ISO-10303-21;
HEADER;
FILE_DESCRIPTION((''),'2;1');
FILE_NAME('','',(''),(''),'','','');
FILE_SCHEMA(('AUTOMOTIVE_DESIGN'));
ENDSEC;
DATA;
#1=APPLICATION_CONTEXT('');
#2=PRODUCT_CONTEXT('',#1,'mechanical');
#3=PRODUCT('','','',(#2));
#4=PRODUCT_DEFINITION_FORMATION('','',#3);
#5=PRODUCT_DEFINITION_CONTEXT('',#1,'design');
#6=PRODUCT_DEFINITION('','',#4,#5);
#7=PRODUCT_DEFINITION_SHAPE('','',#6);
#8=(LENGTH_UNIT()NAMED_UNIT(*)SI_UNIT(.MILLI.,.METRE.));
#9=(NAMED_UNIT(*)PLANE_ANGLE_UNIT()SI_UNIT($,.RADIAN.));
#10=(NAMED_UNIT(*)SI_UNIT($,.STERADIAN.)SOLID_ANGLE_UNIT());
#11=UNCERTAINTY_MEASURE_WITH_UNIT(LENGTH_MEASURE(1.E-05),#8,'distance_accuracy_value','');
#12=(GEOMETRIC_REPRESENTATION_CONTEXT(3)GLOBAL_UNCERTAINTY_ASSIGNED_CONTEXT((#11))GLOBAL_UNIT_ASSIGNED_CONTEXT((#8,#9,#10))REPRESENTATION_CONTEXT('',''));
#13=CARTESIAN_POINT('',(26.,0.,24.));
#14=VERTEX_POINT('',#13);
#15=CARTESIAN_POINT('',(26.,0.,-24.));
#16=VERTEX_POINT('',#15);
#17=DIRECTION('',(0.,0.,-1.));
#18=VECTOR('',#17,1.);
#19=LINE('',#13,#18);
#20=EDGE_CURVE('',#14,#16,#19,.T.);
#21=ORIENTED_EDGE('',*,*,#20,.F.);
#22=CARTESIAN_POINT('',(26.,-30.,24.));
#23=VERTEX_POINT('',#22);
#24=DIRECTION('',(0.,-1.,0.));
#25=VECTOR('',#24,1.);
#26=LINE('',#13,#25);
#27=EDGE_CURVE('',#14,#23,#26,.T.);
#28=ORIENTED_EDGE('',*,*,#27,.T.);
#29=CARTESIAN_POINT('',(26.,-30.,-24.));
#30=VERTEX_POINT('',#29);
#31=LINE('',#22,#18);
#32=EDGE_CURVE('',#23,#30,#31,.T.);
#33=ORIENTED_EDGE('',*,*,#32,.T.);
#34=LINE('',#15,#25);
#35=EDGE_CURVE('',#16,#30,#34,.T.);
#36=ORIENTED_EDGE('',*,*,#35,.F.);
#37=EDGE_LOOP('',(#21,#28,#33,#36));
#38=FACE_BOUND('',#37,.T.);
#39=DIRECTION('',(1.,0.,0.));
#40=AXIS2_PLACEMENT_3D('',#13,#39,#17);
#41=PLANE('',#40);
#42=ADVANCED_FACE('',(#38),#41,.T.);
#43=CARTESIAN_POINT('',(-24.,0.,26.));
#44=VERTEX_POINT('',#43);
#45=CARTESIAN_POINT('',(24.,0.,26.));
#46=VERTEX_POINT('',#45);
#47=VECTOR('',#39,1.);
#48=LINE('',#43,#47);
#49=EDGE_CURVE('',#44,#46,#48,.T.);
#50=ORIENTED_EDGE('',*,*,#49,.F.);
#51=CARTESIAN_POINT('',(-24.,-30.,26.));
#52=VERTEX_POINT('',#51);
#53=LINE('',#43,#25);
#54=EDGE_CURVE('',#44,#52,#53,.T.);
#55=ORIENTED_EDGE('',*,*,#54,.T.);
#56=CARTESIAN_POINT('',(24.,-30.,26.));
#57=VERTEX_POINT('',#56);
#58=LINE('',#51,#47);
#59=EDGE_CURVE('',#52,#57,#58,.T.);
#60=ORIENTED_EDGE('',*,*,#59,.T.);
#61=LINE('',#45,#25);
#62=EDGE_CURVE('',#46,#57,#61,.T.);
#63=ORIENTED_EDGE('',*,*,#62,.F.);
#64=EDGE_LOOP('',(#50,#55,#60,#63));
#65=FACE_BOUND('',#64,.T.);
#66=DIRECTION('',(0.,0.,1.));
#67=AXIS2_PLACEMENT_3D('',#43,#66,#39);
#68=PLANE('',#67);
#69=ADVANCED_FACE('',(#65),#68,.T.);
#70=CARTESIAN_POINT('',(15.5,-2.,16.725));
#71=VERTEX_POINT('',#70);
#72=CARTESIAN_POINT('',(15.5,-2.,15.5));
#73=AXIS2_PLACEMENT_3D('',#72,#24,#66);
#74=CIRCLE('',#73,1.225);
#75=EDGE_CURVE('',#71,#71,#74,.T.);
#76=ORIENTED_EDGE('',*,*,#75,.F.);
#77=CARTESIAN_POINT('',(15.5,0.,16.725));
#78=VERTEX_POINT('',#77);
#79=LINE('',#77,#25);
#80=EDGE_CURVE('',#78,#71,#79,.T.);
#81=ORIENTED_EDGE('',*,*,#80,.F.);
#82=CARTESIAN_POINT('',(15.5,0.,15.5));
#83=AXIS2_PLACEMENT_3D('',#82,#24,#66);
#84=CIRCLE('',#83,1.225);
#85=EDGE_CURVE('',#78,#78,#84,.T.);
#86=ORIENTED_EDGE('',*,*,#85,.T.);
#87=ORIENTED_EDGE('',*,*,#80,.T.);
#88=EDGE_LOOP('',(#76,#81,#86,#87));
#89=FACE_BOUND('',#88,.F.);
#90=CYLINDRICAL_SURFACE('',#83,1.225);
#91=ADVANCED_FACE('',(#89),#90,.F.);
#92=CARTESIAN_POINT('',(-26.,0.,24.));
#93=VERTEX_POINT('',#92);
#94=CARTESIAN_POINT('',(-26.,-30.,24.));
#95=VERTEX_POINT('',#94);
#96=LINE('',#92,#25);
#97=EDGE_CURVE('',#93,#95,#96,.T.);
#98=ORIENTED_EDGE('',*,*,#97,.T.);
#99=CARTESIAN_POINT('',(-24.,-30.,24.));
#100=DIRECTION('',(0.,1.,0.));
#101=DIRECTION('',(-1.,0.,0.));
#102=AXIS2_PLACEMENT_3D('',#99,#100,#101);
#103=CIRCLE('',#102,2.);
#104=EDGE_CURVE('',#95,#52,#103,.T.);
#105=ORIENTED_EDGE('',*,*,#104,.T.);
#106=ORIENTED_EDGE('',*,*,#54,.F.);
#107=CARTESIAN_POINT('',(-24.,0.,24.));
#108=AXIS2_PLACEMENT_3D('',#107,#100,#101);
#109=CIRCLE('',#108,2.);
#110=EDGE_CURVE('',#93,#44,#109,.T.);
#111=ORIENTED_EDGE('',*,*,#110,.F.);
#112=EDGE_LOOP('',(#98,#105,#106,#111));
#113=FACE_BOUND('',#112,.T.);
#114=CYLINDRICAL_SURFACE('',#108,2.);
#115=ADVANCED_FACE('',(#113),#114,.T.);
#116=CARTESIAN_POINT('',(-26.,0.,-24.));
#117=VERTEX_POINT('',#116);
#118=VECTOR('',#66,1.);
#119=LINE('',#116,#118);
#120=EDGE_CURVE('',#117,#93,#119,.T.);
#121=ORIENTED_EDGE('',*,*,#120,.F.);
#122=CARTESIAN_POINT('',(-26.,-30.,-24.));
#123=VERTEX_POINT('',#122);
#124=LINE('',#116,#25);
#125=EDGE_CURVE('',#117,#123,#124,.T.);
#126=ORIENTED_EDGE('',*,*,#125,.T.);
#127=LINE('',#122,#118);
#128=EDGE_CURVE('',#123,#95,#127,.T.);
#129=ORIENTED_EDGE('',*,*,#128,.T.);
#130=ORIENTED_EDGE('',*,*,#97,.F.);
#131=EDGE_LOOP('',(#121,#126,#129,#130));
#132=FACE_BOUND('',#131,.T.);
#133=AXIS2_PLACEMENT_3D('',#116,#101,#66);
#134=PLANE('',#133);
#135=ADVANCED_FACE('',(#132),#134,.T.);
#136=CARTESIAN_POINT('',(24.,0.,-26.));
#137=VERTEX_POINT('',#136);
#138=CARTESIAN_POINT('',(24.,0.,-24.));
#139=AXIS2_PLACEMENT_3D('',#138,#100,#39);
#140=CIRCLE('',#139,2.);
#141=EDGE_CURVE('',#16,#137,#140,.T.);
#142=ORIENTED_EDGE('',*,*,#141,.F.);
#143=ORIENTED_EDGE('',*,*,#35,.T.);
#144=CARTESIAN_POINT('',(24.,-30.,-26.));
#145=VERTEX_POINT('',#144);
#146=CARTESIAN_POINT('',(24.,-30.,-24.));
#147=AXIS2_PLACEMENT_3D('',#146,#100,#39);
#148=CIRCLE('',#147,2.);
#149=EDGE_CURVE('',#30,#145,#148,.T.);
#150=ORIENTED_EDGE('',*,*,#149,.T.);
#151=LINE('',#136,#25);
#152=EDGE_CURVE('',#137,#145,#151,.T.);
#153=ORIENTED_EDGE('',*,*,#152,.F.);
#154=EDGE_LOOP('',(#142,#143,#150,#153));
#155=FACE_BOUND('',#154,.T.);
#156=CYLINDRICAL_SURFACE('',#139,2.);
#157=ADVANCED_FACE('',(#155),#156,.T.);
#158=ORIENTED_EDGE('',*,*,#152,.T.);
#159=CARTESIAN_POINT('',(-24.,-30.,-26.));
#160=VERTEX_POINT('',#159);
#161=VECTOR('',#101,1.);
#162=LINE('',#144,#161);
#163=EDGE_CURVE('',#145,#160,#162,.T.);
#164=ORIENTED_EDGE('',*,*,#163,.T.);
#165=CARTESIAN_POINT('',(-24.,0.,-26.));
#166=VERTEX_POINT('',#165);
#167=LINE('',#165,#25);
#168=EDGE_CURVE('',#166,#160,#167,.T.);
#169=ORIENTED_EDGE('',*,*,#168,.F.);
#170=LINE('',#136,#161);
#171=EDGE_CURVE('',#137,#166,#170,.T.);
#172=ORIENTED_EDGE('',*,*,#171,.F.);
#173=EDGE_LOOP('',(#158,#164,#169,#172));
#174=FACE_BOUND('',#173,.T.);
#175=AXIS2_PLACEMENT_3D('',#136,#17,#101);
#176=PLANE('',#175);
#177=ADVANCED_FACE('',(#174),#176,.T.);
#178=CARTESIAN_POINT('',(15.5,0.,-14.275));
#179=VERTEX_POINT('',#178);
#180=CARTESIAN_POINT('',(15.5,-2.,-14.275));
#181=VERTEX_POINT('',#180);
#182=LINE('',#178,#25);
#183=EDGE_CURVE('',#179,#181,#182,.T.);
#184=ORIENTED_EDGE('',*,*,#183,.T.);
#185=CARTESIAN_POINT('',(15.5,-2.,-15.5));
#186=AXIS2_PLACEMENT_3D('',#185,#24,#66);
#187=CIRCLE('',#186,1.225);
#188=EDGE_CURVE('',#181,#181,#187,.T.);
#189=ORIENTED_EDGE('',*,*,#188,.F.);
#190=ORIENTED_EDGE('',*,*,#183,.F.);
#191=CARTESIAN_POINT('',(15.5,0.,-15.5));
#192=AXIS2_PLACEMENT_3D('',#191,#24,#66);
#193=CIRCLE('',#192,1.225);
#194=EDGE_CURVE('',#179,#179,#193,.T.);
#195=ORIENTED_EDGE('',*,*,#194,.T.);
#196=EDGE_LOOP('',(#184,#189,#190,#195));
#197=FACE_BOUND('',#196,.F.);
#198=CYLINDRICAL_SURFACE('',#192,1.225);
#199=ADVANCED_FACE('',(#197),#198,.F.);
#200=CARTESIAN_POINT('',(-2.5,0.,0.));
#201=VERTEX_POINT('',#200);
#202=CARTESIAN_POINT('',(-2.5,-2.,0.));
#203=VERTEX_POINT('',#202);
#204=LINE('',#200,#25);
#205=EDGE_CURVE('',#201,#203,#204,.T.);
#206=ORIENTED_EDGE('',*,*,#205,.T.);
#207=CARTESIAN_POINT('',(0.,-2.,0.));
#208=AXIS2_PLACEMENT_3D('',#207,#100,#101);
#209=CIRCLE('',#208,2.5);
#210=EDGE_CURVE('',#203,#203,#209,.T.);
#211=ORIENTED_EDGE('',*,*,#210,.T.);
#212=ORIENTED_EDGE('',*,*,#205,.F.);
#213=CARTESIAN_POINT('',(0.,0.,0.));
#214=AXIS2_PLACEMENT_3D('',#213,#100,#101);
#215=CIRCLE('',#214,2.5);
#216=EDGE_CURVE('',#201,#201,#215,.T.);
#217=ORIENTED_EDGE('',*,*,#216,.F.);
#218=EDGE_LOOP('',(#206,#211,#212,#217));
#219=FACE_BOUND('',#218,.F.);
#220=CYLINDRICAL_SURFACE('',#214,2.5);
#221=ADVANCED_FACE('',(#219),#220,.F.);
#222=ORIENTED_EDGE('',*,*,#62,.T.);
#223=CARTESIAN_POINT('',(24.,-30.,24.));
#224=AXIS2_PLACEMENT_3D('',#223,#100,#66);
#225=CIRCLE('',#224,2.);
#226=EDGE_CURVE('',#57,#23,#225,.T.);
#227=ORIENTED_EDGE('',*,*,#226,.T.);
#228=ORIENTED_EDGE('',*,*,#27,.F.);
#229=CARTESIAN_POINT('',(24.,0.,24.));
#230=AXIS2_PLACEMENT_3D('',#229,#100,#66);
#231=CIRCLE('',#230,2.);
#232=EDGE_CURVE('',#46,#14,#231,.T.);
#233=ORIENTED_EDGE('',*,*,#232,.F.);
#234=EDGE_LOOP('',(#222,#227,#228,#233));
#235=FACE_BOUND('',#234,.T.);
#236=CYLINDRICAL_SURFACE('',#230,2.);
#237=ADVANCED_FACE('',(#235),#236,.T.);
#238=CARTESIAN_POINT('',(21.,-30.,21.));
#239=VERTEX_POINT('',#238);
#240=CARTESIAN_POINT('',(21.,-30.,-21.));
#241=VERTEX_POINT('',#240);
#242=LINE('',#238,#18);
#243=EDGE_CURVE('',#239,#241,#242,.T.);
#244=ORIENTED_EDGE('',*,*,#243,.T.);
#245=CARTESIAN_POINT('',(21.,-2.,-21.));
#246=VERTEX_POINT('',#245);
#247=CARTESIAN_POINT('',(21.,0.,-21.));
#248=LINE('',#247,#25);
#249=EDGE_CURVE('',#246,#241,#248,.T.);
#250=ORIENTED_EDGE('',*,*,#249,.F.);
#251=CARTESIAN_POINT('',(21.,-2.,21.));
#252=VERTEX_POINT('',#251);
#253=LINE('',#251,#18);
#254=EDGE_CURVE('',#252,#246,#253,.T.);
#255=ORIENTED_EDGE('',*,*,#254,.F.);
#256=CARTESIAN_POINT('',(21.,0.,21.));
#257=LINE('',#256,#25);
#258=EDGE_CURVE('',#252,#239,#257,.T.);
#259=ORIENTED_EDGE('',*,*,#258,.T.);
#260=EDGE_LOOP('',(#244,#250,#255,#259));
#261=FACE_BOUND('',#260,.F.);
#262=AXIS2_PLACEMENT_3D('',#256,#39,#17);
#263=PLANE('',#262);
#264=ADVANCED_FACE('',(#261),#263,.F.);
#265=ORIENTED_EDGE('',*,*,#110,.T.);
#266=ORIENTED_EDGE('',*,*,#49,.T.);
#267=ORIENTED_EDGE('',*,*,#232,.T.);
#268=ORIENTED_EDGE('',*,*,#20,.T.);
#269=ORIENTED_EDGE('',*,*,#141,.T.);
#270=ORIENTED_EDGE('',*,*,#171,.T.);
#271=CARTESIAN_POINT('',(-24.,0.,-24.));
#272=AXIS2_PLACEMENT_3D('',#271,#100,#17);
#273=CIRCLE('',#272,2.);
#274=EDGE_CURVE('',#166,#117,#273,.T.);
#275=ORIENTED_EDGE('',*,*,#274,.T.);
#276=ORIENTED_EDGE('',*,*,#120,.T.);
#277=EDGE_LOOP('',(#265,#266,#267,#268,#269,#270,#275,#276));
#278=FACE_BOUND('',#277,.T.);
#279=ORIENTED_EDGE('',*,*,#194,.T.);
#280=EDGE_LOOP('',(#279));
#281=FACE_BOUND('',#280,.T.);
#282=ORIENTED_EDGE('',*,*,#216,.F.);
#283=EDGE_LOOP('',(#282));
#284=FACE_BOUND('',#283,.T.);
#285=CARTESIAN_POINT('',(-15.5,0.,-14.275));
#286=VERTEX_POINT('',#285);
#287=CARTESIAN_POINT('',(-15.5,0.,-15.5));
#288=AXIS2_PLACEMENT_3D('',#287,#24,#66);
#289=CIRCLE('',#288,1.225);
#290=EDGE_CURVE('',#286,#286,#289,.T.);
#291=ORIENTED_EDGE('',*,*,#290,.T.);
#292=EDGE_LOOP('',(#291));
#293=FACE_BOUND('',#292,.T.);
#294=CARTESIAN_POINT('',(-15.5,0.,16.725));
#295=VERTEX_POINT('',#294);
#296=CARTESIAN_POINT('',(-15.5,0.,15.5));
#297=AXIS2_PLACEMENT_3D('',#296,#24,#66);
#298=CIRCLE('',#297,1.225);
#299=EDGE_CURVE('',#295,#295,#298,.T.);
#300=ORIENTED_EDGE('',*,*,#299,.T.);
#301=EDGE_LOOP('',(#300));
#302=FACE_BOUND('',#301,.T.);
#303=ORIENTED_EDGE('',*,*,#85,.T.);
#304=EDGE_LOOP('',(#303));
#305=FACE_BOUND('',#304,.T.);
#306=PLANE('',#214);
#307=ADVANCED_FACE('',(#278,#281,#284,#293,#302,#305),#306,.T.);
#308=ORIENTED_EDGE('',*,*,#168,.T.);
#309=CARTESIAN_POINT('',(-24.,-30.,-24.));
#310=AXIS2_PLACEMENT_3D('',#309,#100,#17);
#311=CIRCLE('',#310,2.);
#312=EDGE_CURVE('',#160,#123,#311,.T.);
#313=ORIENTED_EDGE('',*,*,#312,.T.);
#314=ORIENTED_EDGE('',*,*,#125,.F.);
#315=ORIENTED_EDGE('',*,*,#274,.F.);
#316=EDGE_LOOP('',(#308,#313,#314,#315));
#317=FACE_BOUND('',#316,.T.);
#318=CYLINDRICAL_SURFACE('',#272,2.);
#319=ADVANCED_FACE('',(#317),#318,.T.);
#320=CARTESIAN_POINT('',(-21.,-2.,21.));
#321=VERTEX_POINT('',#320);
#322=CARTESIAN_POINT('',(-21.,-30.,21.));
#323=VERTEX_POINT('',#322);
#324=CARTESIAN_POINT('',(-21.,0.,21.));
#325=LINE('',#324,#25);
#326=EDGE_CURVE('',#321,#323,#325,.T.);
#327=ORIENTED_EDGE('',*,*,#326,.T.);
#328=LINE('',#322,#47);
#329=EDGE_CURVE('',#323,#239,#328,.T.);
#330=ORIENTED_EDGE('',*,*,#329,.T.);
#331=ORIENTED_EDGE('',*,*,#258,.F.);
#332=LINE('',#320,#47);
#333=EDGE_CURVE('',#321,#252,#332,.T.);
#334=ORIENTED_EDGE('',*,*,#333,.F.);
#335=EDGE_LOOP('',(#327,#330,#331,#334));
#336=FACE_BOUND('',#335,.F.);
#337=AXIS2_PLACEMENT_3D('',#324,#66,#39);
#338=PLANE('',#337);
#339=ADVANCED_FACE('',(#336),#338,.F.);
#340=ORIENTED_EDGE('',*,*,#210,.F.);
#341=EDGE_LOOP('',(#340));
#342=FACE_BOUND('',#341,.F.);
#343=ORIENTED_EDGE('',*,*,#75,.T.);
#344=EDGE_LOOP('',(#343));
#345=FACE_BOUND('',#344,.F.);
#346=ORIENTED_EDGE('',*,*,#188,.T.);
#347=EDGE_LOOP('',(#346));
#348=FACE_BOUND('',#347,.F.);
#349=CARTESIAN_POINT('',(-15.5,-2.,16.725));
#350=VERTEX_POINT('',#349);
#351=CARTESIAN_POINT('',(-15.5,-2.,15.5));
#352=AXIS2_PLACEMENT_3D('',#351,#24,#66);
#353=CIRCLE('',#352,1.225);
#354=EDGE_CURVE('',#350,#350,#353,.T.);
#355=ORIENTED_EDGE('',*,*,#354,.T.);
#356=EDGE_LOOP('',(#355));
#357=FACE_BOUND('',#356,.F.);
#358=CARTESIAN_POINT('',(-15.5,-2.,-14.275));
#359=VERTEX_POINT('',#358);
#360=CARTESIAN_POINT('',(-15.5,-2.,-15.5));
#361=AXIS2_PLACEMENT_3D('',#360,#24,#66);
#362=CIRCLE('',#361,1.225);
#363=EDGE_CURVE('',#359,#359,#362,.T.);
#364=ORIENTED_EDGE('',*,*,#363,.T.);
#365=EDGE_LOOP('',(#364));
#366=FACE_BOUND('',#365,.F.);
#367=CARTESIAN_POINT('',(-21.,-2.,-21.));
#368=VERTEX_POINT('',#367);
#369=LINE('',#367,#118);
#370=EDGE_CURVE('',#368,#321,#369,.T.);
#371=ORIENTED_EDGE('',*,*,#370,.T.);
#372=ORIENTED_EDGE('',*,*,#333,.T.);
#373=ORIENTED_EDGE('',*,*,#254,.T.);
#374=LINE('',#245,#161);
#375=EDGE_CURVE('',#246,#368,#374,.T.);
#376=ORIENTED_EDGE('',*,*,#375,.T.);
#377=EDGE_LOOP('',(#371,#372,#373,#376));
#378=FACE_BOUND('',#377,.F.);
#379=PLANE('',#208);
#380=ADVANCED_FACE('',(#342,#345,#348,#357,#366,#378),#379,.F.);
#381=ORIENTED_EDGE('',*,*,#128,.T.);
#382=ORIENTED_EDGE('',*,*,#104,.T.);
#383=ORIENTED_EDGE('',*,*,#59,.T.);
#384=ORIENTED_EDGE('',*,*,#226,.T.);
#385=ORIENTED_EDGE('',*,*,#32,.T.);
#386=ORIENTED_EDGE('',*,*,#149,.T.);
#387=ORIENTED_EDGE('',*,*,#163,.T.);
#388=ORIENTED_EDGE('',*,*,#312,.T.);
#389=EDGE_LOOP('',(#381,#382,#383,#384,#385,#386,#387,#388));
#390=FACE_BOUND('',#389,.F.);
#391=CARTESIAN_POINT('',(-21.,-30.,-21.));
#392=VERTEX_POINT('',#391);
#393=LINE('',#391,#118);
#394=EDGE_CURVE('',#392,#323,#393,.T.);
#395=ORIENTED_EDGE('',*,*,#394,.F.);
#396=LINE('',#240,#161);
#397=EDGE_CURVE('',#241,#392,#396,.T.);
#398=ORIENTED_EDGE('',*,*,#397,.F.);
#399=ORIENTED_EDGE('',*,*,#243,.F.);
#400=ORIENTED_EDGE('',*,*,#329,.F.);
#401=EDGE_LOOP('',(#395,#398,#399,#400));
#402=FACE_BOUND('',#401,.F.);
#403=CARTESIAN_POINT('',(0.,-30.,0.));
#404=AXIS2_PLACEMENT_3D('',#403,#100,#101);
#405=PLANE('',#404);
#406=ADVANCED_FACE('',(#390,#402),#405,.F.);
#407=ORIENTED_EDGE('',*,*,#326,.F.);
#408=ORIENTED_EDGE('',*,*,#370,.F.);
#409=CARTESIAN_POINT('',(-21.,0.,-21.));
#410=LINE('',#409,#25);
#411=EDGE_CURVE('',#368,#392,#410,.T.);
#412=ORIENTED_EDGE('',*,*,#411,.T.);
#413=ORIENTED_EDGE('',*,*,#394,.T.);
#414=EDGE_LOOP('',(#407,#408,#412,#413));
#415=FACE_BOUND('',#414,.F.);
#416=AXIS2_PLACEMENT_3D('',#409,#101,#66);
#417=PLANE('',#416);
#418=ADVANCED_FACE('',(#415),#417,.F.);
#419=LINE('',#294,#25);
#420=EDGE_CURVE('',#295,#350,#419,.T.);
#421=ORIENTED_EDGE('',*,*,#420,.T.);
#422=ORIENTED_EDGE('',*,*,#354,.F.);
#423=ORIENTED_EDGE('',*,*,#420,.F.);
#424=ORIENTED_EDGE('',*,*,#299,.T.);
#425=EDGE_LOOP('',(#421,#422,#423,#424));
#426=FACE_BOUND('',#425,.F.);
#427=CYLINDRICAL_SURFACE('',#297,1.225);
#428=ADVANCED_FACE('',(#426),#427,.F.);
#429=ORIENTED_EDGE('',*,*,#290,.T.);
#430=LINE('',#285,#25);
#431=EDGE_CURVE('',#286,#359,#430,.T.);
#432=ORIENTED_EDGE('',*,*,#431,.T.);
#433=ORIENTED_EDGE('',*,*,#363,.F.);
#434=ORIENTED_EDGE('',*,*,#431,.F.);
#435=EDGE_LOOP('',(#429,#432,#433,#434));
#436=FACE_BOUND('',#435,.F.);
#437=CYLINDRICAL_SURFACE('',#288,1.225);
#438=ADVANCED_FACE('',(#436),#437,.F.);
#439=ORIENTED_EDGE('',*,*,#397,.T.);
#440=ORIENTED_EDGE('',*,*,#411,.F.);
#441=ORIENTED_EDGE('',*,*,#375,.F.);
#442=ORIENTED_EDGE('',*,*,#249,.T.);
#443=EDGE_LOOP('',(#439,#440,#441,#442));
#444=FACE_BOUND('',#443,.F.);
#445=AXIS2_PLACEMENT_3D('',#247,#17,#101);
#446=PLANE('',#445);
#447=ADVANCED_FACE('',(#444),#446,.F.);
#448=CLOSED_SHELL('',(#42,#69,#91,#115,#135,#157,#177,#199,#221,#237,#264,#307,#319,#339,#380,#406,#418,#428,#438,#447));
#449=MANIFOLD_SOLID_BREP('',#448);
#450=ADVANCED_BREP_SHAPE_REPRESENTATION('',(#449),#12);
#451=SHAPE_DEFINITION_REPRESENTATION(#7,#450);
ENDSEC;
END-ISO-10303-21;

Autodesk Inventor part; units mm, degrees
ref_plane "YZ Plane" through (0, 0, 0) normal (1, 0, 0) x (0, 1, 0)
ref_plane "XZ Plane" through (0, 0, 0) normal (0, 1, 0) x (-1, 0, 0)
ref_plane "XY Plane" through (0, 0, 0) normal (0, 0, 1) x (1, 0, 0)
sketch "Sketch1" plane through (0, 0, 0) normal (0, 1, 0) x (-1, 0, 0)
  line L0 (15.5, 15.5) -> (-15.5, 15.5)
  line L1 (-15.5, 15.5) -> (-15.5, -15.5)
  line L2 (-15.5, -15.5) -> (15.5, -15.5)
  line L3 (15.5, -15.5) -> (15.5, 15.5)
  line L4 (15.5, 15.5) -> (-15.5, -15.5) construction
  line L5 (-15.5, 15.5) -> (15.5, -15.5) construction
  line L6 (21, 21) -> (-21, 21)
  line L7 (-21, 21) -> (-21, -21)
  line L8 (-21, -21) -> (21, -21)
  line L9 (21, -21) -> (21, 21)
  line L10 (21, 21) -> (-21, -21) construction
  line L11 (-21, 21) -> (21, -21) construction
  line L12 (24, 26) -> (-24, 26)
  line L13 (-26, 24) -> (-26, -24)
  line L14 (-24, -26) -> (24, -26)
  line L15 (26, -24) -> (26, 24)
  circle A0 centre (0, 0) radius 2.5
  arc A1 (26, 24) -> (24, 26) centre (24, 24) ccw
  arc A2 (-24, 26) -> (-26, 24) centre (-24, 24) ccw
  arc A3 (24, -26) -> (26, -24) centre (24, -24) ccw
  arc A4 (-26, -24) -> (-24, -26) centre (-24, -24) ccw
  point P0 (26, 26)
  point P1 (-26, 26)
  point P2 (-26, -26)
  point P3 (26, -26)
  dimension "d0" = 31
  dimension "d1" = 31
  dimension "d2" = 42
  dimension "d3" = 42
  dimension "d4" = 5
  dimension "d7" = 5
  dimension "d23" = 2
extrude "Extrusion1" add sketch "Sketch1" against normal blind 2 contours L3 L2 L1 L0 | L9 L8 L7 L6 | A0
extrude "Extrusion2" add sketch "Sketch1" against normal blind 30 contours A1 L15 A3 L14 A4 L13 A2 L12
hole "Hole1" at (-15.5, 0, -15.5) at (-15.5, 0, 15.5) at (15.5, 0, 15.5) at (15.5, 0, -15.5) direction (0, -1, 0) diameter 2.45 end through all
thread "Thread2" size "M2.5x0.45" class "6H" standard "ANSI Metric M Profile" full length
extrude "Extrusion3" cut sketch "Sketch1" against normal up to surface (2 mm away) contours A0
properties part number "turnmotorcasing"
